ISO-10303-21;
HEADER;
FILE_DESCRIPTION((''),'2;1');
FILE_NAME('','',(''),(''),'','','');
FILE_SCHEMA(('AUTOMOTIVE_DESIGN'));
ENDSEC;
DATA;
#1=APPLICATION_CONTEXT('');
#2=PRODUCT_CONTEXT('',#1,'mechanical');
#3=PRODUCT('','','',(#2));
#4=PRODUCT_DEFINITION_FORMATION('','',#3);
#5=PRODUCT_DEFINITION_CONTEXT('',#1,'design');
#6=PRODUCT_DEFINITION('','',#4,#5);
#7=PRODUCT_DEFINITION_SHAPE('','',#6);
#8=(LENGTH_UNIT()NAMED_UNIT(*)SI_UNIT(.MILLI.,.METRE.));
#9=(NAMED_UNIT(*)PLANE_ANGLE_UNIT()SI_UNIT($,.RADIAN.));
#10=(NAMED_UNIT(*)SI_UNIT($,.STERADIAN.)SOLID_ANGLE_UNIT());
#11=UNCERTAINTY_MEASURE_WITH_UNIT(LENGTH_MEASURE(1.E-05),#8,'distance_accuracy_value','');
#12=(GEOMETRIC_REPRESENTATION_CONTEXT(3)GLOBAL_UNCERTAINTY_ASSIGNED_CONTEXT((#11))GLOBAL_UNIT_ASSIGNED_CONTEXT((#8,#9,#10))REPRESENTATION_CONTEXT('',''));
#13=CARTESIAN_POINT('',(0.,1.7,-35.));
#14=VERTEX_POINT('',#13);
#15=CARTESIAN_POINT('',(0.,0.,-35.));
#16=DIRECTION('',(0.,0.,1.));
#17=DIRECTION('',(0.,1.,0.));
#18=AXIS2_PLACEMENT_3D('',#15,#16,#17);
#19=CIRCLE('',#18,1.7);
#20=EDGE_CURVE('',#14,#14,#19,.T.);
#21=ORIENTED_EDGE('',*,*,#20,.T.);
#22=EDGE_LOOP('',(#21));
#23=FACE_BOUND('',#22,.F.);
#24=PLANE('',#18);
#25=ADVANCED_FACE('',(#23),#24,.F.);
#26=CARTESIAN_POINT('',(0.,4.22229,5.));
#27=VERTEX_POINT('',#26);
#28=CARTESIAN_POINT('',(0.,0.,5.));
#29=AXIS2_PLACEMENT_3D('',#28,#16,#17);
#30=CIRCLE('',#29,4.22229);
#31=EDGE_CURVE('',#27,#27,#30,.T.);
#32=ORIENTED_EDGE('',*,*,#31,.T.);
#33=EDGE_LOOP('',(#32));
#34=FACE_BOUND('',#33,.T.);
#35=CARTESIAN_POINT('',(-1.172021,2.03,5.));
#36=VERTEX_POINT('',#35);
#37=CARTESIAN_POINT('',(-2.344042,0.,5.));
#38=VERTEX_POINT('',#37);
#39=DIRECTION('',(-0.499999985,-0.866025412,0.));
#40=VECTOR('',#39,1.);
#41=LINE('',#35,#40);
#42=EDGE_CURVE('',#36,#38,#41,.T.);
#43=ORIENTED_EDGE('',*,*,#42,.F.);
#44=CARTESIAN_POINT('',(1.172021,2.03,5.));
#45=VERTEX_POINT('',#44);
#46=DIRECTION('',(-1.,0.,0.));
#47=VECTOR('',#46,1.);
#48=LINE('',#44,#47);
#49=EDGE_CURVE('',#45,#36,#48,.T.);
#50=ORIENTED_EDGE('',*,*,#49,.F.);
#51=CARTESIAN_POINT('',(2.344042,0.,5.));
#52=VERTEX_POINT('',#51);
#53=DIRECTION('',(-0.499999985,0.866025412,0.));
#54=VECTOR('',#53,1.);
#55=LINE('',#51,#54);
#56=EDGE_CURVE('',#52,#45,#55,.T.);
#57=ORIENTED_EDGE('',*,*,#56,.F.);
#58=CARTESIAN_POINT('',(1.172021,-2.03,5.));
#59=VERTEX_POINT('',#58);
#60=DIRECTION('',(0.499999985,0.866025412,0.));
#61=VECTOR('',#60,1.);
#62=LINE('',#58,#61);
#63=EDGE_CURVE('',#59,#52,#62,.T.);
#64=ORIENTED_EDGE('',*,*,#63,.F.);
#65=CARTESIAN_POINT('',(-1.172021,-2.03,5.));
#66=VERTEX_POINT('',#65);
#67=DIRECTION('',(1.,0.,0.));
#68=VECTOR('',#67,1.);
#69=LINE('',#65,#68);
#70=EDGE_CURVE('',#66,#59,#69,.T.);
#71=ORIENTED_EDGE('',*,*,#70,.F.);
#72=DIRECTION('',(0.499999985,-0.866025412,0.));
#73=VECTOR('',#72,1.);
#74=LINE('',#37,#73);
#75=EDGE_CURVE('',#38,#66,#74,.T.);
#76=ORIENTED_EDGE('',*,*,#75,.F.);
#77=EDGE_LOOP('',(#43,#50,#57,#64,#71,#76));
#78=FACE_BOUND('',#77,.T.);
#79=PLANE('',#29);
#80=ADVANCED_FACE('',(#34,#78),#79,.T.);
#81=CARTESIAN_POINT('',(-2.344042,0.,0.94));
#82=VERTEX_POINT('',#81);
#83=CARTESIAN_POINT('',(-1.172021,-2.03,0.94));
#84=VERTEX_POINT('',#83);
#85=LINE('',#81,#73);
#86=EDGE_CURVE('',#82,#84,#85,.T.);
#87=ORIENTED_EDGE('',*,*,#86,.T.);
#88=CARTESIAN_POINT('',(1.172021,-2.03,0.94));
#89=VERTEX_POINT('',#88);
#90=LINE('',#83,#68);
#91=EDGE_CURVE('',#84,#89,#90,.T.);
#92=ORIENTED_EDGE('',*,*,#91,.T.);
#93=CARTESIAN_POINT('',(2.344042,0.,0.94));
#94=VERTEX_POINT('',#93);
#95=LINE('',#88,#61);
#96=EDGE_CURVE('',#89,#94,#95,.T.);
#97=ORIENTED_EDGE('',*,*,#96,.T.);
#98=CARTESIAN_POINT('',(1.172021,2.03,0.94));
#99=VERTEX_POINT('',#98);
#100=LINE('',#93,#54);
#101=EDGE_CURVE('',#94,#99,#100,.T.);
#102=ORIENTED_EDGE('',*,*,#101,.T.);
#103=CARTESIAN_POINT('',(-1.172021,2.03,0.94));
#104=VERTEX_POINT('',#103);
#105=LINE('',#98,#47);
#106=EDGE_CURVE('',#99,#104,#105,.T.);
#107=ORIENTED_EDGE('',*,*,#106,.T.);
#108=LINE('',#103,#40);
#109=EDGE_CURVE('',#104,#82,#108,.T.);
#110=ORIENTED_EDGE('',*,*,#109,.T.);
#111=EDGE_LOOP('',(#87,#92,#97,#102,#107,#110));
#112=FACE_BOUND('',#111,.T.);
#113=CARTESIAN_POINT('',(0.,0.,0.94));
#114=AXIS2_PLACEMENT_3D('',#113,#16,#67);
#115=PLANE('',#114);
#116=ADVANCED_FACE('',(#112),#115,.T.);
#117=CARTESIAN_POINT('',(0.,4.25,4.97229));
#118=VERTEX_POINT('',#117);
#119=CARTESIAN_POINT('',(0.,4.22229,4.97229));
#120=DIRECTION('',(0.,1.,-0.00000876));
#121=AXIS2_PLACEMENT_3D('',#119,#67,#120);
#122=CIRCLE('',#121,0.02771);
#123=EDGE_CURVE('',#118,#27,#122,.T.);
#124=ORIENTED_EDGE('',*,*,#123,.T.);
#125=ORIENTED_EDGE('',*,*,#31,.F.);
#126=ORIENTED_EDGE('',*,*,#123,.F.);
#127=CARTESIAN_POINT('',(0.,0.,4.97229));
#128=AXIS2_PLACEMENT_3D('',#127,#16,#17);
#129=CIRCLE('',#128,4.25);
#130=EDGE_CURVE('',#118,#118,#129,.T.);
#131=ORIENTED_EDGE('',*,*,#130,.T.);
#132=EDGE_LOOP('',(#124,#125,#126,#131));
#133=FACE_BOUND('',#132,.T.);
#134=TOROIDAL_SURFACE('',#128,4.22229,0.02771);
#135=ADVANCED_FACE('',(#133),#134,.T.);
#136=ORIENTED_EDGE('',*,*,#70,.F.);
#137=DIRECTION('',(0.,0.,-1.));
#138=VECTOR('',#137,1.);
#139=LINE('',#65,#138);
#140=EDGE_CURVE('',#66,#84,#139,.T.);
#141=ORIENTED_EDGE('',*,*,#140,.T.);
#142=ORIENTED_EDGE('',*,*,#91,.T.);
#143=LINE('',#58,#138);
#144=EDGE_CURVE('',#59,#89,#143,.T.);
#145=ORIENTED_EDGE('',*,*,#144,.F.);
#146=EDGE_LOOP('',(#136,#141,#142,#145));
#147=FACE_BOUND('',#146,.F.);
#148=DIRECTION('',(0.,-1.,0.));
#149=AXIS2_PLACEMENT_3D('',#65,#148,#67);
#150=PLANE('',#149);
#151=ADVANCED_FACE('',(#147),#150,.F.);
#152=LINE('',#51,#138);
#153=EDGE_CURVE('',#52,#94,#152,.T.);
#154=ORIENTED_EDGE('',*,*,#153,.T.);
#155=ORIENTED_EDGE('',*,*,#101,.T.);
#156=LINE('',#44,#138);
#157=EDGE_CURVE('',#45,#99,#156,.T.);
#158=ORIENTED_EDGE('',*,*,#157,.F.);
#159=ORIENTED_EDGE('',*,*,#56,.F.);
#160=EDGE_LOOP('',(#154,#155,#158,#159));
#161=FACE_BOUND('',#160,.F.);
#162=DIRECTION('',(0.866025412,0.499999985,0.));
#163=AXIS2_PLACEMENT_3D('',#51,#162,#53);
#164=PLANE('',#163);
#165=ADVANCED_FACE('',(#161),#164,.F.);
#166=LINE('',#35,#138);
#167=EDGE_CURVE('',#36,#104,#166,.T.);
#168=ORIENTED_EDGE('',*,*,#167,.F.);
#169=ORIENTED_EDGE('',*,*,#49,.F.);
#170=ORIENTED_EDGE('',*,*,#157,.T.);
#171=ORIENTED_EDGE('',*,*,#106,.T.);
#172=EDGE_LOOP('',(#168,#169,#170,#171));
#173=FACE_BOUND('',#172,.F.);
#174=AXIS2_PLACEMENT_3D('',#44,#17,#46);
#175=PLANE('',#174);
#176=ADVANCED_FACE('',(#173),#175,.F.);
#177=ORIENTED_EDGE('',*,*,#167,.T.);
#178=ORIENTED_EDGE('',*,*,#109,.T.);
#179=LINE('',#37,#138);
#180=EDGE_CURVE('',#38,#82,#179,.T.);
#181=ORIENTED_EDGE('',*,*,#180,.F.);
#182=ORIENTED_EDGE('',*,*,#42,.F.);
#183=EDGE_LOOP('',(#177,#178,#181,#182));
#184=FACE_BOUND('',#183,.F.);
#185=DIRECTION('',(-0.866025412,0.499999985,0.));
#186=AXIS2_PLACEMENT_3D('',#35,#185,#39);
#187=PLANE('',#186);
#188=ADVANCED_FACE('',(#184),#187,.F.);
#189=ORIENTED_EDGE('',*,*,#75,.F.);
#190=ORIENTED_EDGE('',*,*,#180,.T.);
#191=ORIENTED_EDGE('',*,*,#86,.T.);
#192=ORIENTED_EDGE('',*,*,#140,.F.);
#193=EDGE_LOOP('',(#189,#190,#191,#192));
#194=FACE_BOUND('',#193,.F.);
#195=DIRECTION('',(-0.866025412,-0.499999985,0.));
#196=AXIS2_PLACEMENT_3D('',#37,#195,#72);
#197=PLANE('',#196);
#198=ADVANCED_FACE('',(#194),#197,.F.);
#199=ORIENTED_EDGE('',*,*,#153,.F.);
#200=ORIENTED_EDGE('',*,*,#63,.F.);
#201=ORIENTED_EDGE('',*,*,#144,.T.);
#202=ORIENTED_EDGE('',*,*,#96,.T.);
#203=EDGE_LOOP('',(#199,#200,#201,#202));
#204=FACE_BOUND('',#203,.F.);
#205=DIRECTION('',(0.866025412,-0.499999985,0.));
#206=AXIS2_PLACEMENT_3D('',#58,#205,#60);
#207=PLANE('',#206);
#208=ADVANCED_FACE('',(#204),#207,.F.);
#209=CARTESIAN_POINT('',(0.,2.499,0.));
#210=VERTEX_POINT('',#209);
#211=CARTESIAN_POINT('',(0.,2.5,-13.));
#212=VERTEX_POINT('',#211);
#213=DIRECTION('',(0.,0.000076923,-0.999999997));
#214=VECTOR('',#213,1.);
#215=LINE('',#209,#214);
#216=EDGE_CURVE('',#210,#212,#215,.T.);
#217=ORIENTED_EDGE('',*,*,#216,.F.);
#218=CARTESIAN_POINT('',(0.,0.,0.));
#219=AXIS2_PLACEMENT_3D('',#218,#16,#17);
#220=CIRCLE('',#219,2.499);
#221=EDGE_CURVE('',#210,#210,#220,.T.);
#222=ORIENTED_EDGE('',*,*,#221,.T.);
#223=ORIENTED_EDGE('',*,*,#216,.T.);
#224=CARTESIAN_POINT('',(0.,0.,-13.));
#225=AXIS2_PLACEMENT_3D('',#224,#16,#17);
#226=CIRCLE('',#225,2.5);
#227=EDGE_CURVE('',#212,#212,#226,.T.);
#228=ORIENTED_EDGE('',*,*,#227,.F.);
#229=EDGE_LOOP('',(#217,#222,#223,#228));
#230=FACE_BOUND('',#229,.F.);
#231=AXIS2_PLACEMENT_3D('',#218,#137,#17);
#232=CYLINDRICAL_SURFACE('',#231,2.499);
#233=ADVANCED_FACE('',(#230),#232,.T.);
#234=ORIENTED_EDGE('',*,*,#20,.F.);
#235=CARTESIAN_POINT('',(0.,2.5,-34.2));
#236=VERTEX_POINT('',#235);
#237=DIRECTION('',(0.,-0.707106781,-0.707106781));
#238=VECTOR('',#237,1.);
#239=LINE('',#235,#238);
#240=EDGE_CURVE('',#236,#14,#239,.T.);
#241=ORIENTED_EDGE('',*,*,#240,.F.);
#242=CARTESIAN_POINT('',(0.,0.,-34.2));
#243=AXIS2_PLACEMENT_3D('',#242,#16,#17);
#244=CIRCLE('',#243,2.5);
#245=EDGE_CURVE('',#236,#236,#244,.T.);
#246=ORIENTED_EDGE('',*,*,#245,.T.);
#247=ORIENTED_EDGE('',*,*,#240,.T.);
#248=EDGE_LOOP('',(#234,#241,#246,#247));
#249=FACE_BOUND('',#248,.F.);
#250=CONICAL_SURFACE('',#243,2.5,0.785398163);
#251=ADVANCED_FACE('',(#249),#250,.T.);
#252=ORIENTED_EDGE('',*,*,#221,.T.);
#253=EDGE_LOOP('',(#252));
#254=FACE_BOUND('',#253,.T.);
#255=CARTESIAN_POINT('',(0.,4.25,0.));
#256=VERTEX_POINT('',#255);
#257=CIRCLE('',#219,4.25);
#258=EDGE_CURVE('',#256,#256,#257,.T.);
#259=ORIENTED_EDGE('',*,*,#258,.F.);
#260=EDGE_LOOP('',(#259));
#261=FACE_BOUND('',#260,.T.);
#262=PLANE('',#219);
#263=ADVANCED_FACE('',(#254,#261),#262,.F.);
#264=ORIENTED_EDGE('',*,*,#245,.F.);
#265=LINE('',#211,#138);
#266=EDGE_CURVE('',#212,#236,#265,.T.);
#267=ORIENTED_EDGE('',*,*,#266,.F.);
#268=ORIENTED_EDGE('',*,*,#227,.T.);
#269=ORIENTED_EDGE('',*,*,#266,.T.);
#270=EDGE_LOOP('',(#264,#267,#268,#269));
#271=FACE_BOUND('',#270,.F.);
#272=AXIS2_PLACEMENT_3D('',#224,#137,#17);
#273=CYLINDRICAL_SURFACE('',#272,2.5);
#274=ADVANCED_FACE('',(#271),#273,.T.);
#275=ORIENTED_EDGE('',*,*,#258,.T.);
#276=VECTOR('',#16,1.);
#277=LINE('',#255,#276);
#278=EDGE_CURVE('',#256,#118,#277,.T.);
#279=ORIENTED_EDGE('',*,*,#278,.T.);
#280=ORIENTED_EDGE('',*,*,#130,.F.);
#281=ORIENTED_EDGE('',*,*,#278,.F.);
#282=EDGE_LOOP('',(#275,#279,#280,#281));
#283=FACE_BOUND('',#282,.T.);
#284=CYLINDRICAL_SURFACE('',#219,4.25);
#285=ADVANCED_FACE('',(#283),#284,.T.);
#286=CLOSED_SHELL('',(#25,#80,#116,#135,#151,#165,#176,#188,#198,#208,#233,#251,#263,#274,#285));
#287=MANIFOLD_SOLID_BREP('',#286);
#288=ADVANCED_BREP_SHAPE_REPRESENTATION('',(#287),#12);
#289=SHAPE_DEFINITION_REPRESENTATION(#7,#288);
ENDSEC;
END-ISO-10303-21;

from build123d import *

# Parameters (mm, degrees)
POCKET_DEPTH = 4.06


with BuildPart() as part:
    # Sketch → Revolve (revolve)
    with BuildSketch(Plane.YZ):
        with BuildLine():
            Line((2.499, 0), (4.25, 0))
            Line((4.25, 0), (4.25, 4.97229))
            ThreePointArc((4.25, 4.97229), (4.241884, 4.991884), (4.22229, 5))
            Line((4.22229, 5), (0, 5))
            Line((0, -35), (0, 5))
            Line((1.7, -35), (0, -35))
            Line((2.5, -34.2), (1.7, -35))
            Line((2.5, -13), (2.5, -34.2))
            Line((2.499, 0), (2.5, -13))
        make_face()
    revolve(axis=Axis((0, 0, 0), (0, 0, 1)))

    # Sketch001 → Pocket (cut)
    with BuildSketch(Plane.XY.offset(5)):
        Polygon((2.344042, 0), (1.172021, 2.03), (-1.172021, 2.03), (-2.344042, 0), (-1.172021, -2.03), (1.172021, -2.03), align=None)
    extrude(amount=-POCKET_DEPTH, mode=Mode.SUBTRACT)


solid = part.part
